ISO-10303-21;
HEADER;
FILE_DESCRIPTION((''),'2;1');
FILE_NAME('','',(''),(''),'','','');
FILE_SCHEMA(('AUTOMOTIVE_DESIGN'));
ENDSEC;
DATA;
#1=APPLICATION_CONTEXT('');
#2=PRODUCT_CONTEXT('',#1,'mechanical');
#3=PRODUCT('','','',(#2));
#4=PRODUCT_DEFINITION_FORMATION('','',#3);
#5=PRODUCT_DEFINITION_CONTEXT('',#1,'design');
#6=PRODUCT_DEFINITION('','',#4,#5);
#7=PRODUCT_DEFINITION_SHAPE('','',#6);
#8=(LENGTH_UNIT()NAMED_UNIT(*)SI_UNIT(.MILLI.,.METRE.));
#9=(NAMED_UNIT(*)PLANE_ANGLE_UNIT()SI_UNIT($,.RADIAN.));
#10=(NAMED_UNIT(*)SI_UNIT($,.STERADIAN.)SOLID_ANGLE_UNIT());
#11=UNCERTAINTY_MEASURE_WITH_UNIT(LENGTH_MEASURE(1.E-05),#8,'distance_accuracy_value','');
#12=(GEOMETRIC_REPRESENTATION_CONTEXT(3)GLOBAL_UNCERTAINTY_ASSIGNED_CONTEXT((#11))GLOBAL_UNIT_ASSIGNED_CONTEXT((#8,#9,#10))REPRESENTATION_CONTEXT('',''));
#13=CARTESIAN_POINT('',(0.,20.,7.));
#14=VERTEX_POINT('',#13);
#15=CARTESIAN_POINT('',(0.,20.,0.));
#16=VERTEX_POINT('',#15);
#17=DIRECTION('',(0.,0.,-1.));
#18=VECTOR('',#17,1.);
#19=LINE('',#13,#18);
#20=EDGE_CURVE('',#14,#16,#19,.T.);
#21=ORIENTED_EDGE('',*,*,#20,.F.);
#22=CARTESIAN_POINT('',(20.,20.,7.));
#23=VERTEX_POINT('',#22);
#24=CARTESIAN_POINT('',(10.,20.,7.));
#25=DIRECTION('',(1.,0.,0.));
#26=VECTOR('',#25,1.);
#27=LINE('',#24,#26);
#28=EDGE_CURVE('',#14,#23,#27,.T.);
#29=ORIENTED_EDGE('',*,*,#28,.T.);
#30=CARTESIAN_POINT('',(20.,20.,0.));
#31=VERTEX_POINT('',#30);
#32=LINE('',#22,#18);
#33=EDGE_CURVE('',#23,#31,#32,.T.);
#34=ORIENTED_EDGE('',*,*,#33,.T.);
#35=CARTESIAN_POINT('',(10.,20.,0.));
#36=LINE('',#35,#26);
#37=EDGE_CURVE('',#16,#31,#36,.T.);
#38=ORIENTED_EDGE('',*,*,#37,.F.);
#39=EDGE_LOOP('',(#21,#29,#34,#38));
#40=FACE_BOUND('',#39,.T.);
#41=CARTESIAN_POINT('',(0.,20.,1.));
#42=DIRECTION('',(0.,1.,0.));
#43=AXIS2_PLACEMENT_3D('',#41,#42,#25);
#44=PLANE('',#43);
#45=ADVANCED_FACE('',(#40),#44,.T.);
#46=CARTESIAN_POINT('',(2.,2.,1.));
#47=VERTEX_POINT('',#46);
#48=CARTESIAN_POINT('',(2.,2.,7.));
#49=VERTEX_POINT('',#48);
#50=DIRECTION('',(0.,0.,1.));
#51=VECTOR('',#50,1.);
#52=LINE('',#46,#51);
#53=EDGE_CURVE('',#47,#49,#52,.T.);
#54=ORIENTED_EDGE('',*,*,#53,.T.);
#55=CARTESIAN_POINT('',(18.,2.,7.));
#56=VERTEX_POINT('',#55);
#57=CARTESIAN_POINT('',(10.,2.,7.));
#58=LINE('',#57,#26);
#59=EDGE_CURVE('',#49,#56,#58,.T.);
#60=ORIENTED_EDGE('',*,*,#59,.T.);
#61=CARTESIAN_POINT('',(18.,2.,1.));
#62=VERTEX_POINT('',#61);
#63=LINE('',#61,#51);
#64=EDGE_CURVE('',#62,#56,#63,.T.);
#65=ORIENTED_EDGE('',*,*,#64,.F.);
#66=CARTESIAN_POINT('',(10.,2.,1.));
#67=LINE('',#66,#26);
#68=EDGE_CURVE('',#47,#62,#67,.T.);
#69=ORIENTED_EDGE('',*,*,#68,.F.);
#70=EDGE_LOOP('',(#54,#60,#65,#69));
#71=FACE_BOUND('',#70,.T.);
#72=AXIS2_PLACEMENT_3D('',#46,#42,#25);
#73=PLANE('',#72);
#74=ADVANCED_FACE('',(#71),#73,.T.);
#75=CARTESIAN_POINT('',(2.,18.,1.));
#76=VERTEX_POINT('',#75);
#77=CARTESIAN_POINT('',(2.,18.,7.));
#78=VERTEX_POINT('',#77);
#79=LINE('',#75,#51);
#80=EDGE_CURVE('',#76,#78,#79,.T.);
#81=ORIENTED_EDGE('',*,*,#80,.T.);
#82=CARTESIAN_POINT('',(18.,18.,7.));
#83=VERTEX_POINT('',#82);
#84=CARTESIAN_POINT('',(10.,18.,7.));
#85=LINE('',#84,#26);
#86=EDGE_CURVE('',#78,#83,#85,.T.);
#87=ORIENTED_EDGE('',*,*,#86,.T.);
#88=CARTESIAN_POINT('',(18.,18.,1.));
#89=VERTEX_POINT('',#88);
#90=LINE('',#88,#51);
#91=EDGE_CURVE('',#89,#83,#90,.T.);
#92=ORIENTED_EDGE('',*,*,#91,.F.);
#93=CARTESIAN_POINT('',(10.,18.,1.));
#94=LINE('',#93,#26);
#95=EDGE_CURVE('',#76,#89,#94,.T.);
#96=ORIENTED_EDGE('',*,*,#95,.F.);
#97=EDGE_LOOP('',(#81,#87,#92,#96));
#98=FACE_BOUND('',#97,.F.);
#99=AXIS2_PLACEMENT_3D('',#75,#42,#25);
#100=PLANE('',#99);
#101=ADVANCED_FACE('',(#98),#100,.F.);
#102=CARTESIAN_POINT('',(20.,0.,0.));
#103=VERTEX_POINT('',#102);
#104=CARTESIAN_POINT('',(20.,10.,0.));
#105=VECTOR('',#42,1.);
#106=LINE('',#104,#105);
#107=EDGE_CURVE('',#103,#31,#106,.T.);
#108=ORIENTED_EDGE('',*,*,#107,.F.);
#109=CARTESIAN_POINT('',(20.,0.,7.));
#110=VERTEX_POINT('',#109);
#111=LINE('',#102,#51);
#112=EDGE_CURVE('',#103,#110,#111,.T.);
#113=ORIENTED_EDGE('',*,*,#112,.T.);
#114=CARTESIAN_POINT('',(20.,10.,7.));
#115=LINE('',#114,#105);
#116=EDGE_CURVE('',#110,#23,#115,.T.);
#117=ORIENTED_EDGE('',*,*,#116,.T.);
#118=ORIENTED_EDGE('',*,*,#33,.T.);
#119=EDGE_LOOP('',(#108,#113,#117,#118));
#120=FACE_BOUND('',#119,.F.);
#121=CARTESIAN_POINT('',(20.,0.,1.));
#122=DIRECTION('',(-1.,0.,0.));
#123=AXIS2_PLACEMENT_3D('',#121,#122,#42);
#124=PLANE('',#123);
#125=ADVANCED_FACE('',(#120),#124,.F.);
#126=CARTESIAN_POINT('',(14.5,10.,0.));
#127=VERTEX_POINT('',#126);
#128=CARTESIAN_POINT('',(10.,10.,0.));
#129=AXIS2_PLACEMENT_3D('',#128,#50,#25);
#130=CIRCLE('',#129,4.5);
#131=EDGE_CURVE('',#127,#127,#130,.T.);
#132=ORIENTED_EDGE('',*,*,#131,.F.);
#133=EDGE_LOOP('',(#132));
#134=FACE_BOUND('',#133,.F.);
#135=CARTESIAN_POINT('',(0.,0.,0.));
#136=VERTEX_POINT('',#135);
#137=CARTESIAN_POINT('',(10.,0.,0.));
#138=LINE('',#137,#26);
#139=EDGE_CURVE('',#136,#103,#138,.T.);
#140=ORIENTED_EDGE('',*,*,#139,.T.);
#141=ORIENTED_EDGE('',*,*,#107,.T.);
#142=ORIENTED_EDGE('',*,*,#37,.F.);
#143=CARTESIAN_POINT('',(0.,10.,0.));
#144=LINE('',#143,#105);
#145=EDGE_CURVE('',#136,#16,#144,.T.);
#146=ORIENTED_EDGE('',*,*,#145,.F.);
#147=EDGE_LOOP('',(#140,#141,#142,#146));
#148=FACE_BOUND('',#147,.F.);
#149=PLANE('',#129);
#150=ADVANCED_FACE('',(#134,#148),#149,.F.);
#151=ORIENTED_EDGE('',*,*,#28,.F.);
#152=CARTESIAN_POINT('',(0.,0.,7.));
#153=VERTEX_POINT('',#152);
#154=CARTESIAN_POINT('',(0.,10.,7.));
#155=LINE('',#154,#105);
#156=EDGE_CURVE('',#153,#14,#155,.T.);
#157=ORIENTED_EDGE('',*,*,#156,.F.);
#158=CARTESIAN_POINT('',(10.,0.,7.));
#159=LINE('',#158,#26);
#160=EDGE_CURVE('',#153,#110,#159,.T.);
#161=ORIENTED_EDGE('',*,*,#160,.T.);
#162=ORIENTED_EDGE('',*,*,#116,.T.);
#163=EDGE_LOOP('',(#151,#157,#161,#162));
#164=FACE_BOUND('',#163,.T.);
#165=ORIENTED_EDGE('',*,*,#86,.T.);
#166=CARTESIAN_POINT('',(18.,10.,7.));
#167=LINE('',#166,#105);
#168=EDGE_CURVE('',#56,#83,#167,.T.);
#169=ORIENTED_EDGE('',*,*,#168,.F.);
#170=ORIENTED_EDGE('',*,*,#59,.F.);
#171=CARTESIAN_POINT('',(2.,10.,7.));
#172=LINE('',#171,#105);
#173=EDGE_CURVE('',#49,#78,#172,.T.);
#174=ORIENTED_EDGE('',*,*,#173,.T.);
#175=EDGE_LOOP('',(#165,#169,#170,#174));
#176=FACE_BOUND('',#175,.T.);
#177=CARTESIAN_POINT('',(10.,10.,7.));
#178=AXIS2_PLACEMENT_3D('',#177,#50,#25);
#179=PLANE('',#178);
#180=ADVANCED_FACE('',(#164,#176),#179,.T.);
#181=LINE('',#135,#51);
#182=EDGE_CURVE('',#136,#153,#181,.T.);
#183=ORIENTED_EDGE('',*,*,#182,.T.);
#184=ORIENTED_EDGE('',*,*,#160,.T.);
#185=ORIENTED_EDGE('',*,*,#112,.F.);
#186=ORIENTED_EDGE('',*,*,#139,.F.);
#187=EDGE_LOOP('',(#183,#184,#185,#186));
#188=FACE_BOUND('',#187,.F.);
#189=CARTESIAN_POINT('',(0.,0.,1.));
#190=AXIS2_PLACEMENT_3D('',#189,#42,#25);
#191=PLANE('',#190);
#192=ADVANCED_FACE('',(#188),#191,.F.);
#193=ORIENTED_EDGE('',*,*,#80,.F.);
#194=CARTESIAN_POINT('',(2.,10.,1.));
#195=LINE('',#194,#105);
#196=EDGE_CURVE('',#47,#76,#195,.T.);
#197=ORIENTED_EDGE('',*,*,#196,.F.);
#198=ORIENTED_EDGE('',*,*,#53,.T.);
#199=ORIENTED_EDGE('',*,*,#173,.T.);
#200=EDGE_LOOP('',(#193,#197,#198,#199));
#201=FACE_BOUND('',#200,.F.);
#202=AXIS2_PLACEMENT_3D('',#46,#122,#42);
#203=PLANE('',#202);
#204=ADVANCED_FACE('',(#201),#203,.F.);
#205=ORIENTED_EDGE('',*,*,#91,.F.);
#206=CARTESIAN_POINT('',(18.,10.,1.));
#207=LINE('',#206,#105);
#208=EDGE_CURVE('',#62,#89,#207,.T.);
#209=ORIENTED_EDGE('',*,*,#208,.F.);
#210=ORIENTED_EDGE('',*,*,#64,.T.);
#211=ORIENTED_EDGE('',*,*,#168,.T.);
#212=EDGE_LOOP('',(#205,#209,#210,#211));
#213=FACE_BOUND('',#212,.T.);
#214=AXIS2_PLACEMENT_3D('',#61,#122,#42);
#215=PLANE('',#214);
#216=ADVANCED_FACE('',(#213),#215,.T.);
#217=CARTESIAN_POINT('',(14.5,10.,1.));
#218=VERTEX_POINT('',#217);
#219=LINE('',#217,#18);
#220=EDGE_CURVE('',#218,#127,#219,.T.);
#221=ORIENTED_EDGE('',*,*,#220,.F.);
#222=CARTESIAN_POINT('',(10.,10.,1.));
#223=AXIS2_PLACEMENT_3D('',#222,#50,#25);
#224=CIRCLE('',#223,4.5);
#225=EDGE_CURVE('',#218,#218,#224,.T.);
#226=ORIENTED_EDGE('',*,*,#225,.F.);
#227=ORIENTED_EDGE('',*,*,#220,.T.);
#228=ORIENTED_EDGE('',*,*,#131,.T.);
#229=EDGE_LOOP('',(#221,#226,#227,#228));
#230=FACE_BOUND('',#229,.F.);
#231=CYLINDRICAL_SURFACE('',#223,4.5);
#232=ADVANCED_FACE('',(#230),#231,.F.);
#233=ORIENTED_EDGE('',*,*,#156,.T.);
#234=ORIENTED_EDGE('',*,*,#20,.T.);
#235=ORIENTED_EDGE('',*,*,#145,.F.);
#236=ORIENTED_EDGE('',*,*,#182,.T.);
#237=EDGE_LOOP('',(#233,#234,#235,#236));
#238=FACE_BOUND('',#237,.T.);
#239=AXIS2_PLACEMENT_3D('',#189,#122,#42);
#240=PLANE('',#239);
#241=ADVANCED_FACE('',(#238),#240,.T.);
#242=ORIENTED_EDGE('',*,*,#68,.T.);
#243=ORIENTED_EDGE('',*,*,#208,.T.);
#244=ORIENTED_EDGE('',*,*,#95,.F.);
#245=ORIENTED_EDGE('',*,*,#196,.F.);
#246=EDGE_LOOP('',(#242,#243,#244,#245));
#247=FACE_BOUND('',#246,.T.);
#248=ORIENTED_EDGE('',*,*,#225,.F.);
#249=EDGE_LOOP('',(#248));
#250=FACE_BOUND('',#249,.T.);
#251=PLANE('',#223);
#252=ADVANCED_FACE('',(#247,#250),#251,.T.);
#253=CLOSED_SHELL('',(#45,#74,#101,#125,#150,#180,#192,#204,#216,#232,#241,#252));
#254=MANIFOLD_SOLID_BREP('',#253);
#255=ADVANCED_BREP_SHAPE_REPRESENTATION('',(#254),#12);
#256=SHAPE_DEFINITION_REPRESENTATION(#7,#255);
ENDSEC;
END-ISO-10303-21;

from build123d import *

# Parameters (mm, degrees)
SKETCH_W      = 20
SKETCH_H      = 20
PAD_DEPTH     = 1
SKETCH001_R   = 4.5
POCKET_DEPTH  = 2
SKETCH002_W   = 20
SKETCH002_H   = 20
SKETCH002_W_2 = 16
SKETCH002_H_2 = 16
PAD001_DEPTH  = 6


with BuildPart() as part:
    # Sketch → Pad (new body)
    with BuildSketch(Plane.XY):
        with Locations((10, 10)):
            Rectangle(SKETCH_W, SKETCH_H)
    extrude(amount=PAD_DEPTH)

    # Sketch001 → Pocket (cut)
    with BuildSketch(Plane.XY.offset(1)):
        with Locations((10, 10)):
            Circle(SKETCH001_R)
    extrude(amount=-POCKET_DEPTH, mode=Mode.SUBTRACT)

    # Sketch002 → Pad001 (new body)
    with BuildSketch(Plane.XY.offset(1)):
        with Locations((10, 10)):
            Rectangle(SKETCH002_W, SKETCH002_H)
        with Locations((10, 10)):
            Rectangle(SKETCH002_W_2, SKETCH002_H_2, mode=Mode.SUBTRACT)
    extrude(amount=PAD001_DEPTH)


solid = part.part
